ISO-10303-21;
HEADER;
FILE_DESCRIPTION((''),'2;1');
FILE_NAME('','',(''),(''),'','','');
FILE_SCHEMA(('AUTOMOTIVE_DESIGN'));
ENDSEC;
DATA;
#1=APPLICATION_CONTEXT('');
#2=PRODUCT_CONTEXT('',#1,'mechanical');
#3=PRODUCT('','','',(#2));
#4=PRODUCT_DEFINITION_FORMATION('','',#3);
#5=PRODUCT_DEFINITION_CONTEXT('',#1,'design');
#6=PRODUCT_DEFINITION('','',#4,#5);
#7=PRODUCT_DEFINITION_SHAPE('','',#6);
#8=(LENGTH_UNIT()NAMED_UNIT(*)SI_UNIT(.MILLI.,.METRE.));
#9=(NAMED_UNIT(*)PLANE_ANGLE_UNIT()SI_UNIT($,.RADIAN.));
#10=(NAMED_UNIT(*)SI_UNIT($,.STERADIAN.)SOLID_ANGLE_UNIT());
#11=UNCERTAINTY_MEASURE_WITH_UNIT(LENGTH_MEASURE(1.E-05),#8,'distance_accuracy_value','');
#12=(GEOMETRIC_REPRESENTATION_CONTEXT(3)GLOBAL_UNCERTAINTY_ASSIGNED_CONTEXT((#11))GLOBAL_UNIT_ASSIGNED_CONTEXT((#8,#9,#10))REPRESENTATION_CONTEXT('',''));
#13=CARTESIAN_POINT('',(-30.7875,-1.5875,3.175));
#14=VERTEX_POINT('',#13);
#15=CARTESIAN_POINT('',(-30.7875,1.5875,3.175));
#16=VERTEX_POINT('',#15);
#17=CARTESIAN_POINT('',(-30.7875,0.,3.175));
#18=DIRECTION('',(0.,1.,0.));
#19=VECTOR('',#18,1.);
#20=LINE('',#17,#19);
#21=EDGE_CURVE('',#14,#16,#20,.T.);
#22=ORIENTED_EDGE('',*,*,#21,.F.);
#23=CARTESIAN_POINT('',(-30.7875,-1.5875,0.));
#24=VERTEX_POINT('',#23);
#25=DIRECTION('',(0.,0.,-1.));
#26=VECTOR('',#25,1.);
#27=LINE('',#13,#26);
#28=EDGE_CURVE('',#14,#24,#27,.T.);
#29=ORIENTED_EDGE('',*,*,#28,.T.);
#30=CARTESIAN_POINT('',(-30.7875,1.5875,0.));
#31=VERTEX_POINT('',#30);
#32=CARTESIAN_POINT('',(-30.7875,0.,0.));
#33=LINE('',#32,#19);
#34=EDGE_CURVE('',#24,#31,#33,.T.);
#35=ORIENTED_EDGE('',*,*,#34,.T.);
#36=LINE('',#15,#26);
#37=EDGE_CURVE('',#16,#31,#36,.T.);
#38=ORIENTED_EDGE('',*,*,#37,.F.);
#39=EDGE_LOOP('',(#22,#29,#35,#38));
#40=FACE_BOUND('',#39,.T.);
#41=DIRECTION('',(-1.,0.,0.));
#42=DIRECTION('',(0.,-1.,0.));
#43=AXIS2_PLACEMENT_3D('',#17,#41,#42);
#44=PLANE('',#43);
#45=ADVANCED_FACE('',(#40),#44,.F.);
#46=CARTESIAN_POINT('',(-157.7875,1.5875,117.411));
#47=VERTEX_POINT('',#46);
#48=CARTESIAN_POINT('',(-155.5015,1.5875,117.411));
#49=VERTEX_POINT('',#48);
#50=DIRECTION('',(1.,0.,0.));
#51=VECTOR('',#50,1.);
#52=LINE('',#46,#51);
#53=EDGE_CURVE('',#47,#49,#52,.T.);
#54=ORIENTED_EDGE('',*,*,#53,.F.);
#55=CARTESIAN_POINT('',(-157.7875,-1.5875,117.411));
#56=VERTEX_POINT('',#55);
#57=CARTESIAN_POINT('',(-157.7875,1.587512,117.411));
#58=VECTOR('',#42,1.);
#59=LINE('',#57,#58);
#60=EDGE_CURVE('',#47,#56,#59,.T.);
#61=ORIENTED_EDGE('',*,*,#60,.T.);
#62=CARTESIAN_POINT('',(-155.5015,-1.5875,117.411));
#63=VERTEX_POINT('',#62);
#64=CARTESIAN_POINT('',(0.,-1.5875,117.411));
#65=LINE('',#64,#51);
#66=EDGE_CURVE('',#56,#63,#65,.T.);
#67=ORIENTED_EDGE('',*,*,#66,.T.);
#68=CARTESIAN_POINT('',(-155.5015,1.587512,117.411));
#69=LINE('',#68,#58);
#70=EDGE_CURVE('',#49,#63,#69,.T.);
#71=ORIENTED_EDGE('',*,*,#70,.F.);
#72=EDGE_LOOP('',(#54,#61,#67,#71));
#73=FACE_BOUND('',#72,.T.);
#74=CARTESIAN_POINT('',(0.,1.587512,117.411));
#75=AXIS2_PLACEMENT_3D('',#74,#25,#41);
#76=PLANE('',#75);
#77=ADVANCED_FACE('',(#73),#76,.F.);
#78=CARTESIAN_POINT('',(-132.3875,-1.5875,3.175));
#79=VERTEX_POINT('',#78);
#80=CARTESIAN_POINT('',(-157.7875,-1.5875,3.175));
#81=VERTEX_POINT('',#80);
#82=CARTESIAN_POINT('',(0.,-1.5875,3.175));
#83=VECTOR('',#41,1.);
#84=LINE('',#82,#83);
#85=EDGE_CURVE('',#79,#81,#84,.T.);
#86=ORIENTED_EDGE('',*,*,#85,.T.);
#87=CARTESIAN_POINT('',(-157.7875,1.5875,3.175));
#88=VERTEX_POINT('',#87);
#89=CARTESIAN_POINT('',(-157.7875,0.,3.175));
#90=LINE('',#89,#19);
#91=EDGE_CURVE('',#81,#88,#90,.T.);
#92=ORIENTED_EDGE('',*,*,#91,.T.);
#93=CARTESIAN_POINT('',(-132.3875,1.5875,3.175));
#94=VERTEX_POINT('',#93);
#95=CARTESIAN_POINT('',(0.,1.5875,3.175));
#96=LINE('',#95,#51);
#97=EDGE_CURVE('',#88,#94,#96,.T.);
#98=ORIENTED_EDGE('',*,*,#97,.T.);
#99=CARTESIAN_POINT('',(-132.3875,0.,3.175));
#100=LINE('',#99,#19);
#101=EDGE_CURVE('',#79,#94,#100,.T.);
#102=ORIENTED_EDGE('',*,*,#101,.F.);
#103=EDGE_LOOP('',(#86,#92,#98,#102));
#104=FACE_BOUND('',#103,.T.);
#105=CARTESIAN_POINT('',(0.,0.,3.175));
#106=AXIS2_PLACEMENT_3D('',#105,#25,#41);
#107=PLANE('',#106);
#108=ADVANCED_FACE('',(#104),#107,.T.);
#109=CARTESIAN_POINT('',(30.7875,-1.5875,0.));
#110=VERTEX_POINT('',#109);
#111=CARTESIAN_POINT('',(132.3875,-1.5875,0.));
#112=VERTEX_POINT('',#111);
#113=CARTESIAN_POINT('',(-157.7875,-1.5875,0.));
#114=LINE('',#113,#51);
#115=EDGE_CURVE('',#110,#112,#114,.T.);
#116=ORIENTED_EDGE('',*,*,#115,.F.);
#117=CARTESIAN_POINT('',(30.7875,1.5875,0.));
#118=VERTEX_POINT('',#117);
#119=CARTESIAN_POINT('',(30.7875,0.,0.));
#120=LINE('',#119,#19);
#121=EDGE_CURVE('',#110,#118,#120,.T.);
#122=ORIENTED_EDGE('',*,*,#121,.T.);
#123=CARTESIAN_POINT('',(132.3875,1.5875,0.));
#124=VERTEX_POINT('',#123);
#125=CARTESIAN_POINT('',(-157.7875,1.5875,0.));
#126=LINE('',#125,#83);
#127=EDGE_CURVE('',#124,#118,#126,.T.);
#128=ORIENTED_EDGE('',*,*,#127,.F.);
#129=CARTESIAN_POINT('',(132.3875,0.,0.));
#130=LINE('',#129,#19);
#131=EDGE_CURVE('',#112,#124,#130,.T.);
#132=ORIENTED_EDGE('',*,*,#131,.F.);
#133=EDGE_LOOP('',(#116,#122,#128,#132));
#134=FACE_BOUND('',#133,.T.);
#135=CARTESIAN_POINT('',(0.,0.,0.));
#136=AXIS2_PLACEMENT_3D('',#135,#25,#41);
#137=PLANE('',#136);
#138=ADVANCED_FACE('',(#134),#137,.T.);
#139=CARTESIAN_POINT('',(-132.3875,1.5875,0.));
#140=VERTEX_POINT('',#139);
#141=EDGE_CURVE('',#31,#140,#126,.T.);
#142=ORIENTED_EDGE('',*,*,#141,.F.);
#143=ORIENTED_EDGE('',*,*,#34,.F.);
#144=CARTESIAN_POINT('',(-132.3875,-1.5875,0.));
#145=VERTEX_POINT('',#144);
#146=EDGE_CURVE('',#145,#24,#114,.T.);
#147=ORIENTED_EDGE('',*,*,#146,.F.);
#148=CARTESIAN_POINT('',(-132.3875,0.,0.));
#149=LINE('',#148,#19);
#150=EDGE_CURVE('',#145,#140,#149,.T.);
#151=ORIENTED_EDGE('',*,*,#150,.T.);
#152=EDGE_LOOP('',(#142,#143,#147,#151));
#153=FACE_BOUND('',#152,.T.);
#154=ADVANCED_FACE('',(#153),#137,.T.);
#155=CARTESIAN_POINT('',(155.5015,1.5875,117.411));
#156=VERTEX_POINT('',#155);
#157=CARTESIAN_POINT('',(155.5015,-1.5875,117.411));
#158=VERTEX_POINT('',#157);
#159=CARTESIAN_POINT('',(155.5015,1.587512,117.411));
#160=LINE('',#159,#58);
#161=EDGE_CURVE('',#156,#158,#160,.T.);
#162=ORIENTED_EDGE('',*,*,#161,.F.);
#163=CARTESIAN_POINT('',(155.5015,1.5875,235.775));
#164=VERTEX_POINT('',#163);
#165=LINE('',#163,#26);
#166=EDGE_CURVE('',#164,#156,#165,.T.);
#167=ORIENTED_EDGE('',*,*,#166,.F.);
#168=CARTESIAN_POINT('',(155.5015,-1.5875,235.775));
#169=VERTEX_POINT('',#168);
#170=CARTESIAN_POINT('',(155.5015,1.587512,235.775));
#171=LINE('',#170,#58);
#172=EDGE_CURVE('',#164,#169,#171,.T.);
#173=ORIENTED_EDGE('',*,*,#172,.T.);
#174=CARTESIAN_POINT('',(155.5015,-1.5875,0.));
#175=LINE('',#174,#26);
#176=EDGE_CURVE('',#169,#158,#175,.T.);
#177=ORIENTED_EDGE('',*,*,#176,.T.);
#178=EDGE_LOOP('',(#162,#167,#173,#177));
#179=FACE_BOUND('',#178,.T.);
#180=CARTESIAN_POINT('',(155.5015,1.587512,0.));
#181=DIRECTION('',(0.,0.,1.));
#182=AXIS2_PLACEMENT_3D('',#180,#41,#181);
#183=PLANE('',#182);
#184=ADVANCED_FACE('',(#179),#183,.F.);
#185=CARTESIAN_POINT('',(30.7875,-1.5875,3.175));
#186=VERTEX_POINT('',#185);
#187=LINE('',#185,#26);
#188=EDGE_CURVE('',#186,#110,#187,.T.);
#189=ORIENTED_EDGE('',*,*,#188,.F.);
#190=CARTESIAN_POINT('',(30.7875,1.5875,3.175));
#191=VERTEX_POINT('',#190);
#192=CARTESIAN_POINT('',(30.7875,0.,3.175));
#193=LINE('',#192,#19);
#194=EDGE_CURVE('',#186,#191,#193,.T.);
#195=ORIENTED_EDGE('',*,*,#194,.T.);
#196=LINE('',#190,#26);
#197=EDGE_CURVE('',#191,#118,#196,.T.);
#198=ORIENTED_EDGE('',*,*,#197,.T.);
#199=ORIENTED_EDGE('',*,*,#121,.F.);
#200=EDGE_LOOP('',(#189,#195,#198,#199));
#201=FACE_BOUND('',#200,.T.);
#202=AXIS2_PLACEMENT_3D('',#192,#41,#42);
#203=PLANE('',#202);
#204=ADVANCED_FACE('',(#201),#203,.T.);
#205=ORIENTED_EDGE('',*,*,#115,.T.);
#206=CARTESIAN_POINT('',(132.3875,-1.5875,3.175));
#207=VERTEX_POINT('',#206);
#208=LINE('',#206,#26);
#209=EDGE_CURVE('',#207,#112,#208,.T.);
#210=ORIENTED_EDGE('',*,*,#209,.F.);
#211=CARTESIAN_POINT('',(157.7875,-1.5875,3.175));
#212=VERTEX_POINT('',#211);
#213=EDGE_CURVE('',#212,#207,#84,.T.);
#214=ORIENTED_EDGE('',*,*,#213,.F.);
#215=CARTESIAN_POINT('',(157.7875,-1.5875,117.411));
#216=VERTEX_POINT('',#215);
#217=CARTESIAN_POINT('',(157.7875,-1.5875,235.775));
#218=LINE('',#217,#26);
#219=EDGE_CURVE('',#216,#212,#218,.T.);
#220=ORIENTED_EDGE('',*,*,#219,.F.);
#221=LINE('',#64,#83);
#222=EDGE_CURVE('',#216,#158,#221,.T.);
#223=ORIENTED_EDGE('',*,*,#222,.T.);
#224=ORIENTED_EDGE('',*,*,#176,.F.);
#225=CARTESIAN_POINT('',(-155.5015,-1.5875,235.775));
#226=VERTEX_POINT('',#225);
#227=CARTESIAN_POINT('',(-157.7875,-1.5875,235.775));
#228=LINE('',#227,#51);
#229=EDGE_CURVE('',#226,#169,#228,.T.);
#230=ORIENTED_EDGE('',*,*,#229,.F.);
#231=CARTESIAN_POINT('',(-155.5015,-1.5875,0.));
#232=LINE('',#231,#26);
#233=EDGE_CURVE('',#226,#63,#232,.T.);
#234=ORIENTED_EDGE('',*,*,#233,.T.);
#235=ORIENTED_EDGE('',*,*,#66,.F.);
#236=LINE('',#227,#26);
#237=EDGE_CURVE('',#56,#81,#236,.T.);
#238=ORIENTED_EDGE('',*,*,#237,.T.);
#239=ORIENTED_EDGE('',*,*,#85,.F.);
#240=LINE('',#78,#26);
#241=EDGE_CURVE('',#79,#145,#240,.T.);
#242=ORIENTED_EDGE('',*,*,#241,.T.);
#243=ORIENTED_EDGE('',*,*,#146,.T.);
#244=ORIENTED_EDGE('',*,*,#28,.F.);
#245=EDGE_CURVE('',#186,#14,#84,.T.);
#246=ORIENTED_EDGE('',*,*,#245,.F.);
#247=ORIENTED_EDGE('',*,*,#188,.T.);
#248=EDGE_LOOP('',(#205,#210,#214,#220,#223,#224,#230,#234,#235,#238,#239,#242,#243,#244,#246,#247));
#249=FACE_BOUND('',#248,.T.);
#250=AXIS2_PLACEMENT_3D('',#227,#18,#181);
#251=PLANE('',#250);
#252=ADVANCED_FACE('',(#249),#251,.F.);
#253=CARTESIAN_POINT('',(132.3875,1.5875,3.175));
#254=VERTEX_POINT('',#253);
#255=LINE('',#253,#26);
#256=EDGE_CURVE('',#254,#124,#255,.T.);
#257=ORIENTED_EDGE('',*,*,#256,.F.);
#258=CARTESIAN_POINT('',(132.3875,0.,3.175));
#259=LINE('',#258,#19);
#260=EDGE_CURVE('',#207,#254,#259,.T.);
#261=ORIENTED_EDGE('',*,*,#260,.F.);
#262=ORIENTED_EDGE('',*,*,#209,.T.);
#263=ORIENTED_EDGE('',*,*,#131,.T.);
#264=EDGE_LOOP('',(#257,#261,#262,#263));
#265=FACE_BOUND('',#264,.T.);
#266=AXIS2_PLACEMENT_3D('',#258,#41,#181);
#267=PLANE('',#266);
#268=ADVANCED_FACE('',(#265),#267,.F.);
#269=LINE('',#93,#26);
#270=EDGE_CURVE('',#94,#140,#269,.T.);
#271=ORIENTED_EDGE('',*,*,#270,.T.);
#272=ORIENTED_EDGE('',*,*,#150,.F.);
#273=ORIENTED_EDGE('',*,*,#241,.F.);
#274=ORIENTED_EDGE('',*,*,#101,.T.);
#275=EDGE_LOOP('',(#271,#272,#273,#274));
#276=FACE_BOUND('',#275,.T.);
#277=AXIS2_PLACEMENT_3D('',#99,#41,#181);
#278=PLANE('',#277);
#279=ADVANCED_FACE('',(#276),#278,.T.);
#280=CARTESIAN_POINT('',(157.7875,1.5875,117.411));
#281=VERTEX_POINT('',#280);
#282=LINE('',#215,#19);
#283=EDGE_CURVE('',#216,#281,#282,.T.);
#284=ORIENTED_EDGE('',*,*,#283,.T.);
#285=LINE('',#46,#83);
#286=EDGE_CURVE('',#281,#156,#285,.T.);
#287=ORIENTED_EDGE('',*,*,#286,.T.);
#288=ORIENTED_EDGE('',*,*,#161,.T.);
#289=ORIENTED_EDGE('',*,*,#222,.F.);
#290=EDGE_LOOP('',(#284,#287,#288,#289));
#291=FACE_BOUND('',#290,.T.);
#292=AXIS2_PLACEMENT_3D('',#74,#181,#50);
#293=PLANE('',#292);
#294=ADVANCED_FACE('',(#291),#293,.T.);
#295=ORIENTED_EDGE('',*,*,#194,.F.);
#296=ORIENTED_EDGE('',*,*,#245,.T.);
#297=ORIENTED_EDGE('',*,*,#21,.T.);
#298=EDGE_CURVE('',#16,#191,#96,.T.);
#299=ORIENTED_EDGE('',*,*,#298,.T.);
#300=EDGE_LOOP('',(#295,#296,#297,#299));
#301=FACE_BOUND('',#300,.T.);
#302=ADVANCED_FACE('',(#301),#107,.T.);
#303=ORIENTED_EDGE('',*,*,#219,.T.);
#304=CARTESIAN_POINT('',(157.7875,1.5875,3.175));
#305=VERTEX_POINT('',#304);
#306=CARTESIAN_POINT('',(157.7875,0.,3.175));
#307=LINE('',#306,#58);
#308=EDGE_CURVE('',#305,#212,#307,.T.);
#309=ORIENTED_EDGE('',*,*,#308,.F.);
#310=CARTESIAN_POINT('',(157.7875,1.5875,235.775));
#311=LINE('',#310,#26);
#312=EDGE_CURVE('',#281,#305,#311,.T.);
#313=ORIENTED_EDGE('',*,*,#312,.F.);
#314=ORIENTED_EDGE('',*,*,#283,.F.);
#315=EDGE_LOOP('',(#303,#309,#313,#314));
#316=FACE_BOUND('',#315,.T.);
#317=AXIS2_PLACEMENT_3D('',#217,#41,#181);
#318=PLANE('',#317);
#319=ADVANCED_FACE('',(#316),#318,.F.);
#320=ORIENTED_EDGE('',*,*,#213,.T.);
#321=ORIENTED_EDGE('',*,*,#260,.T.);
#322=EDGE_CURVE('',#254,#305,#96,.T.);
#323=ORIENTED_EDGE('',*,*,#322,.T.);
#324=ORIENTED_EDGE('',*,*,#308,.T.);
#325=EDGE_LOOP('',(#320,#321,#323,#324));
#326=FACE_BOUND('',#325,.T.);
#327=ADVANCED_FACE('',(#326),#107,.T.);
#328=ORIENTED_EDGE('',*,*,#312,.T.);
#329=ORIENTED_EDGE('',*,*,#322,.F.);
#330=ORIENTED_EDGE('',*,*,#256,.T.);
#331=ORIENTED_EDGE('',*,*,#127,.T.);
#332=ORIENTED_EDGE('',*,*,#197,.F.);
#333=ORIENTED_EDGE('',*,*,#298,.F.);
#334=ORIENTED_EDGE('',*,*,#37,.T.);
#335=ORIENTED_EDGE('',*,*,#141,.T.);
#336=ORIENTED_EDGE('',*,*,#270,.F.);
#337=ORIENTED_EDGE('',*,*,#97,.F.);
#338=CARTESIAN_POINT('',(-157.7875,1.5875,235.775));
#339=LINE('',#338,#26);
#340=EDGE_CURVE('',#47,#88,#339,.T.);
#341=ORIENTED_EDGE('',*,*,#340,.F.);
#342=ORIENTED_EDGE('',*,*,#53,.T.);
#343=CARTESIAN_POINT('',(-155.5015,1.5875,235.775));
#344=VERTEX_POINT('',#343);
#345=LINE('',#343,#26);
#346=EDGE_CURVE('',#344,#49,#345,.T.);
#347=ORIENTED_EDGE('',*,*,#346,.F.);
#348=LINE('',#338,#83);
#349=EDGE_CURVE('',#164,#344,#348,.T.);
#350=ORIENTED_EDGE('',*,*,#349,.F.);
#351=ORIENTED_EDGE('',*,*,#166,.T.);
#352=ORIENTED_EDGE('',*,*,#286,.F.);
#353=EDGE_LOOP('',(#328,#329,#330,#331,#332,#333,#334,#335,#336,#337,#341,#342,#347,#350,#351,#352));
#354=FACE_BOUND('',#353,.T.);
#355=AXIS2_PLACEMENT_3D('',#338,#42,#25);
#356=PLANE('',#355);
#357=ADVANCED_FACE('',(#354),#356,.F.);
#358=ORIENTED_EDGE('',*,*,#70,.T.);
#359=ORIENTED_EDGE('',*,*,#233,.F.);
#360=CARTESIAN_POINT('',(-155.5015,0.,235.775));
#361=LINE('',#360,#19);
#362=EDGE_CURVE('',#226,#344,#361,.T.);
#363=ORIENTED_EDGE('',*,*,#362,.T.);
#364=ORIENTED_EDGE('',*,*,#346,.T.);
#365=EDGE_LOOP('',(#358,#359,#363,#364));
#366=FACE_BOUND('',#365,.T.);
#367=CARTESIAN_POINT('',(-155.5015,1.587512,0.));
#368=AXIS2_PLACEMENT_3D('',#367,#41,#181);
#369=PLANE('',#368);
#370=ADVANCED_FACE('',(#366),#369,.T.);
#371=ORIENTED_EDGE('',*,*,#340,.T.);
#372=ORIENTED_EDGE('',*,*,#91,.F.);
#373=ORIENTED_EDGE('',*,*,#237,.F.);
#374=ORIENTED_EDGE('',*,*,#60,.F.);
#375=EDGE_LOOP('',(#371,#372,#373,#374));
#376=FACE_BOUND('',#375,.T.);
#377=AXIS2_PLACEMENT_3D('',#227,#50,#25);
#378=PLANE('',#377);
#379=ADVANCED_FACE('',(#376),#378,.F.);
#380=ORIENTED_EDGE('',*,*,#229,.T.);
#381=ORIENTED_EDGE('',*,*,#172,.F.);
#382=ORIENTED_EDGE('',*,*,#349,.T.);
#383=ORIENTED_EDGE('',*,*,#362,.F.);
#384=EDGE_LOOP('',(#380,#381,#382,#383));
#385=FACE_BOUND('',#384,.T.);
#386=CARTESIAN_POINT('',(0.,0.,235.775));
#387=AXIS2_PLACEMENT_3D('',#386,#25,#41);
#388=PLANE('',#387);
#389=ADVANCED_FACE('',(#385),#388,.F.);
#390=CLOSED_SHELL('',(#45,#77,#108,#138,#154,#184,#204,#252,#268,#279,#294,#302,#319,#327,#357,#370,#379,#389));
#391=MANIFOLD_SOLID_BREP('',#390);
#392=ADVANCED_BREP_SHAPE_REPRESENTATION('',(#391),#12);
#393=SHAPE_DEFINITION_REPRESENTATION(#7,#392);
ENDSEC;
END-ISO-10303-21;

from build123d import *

# Parameters (mm, degrees)
SKETCH1_W           = 315.575
SKETCH1_H           = 3.175
BOSS_EXTRUDE1_DEPTH = 235.775
SKETCH3_W           = 25.4
SKETCH3_H           = 3.175
SKETCH3_W_2         = 61.575
CUT_EXTRUDE1_DEPTH  = 3.175
CUT_EXTRUDE2_START  = -3.175
SKETCH5_W           = 2.286
SKETCH5_H           = 118.364
CUT_EXTRUDE2_DEPTH  = 287.894626403


with BuildPart() as part:
    # Sketch1 → Boss-Extrude1 (new body)
    with BuildSketch(Plane.XY):
        Rectangle(SKETCH1_W, SKETCH1_H)
    extrude(amount=BOSS_EXTRUDE1_DEPTH)

    # Sketch3 → Cut-Extrude1 (cut)
    with BuildSketch(Plane(origin=(0, 0, 0), x_dir=(-1, 0, 0), z_dir=(0, 0, -1))):
        with Locations((-145.0875, 0)):
            Rectangle(SKETCH3_W, SKETCH3_H)
        Rectangle(SKETCH3_W_2, SKETCH3_H)
        with Locations((145.0875, 0)):
            Rectangle(SKETCH3_W, SKETCH3_H)
    extrude(amount=-CUT_EXTRUDE1_DEPTH, mode=Mode.SUBTRACT)

    # Sketch5 → Cut-Extrude2 (cut)
    with BuildSketch(Plane(origin=(0, 1.5875, 0), x_dir=(1, 0, 0), z_dir=(0, 1, 0)).offset(CUT_EXTRUDE2_START)):
        with Locations((-156.6445, -176.593)):
            Rectangle(SKETCH5_W, SKETCH5_H)
    cut_extrude2 = extrude(amount=CUT_EXTRUDE2_DEPTH, mode=Mode.SUBTRACT)

    # Mirror1: Cut-Extrude2 across plane
    add(cut_extrude2.mirror(Plane(origin=(0, 0, 0), x_dir=(0, 0, 1), z_dir=(1, 0, 0))), mode=Mode.SUBTRACT)


solid = part.part
